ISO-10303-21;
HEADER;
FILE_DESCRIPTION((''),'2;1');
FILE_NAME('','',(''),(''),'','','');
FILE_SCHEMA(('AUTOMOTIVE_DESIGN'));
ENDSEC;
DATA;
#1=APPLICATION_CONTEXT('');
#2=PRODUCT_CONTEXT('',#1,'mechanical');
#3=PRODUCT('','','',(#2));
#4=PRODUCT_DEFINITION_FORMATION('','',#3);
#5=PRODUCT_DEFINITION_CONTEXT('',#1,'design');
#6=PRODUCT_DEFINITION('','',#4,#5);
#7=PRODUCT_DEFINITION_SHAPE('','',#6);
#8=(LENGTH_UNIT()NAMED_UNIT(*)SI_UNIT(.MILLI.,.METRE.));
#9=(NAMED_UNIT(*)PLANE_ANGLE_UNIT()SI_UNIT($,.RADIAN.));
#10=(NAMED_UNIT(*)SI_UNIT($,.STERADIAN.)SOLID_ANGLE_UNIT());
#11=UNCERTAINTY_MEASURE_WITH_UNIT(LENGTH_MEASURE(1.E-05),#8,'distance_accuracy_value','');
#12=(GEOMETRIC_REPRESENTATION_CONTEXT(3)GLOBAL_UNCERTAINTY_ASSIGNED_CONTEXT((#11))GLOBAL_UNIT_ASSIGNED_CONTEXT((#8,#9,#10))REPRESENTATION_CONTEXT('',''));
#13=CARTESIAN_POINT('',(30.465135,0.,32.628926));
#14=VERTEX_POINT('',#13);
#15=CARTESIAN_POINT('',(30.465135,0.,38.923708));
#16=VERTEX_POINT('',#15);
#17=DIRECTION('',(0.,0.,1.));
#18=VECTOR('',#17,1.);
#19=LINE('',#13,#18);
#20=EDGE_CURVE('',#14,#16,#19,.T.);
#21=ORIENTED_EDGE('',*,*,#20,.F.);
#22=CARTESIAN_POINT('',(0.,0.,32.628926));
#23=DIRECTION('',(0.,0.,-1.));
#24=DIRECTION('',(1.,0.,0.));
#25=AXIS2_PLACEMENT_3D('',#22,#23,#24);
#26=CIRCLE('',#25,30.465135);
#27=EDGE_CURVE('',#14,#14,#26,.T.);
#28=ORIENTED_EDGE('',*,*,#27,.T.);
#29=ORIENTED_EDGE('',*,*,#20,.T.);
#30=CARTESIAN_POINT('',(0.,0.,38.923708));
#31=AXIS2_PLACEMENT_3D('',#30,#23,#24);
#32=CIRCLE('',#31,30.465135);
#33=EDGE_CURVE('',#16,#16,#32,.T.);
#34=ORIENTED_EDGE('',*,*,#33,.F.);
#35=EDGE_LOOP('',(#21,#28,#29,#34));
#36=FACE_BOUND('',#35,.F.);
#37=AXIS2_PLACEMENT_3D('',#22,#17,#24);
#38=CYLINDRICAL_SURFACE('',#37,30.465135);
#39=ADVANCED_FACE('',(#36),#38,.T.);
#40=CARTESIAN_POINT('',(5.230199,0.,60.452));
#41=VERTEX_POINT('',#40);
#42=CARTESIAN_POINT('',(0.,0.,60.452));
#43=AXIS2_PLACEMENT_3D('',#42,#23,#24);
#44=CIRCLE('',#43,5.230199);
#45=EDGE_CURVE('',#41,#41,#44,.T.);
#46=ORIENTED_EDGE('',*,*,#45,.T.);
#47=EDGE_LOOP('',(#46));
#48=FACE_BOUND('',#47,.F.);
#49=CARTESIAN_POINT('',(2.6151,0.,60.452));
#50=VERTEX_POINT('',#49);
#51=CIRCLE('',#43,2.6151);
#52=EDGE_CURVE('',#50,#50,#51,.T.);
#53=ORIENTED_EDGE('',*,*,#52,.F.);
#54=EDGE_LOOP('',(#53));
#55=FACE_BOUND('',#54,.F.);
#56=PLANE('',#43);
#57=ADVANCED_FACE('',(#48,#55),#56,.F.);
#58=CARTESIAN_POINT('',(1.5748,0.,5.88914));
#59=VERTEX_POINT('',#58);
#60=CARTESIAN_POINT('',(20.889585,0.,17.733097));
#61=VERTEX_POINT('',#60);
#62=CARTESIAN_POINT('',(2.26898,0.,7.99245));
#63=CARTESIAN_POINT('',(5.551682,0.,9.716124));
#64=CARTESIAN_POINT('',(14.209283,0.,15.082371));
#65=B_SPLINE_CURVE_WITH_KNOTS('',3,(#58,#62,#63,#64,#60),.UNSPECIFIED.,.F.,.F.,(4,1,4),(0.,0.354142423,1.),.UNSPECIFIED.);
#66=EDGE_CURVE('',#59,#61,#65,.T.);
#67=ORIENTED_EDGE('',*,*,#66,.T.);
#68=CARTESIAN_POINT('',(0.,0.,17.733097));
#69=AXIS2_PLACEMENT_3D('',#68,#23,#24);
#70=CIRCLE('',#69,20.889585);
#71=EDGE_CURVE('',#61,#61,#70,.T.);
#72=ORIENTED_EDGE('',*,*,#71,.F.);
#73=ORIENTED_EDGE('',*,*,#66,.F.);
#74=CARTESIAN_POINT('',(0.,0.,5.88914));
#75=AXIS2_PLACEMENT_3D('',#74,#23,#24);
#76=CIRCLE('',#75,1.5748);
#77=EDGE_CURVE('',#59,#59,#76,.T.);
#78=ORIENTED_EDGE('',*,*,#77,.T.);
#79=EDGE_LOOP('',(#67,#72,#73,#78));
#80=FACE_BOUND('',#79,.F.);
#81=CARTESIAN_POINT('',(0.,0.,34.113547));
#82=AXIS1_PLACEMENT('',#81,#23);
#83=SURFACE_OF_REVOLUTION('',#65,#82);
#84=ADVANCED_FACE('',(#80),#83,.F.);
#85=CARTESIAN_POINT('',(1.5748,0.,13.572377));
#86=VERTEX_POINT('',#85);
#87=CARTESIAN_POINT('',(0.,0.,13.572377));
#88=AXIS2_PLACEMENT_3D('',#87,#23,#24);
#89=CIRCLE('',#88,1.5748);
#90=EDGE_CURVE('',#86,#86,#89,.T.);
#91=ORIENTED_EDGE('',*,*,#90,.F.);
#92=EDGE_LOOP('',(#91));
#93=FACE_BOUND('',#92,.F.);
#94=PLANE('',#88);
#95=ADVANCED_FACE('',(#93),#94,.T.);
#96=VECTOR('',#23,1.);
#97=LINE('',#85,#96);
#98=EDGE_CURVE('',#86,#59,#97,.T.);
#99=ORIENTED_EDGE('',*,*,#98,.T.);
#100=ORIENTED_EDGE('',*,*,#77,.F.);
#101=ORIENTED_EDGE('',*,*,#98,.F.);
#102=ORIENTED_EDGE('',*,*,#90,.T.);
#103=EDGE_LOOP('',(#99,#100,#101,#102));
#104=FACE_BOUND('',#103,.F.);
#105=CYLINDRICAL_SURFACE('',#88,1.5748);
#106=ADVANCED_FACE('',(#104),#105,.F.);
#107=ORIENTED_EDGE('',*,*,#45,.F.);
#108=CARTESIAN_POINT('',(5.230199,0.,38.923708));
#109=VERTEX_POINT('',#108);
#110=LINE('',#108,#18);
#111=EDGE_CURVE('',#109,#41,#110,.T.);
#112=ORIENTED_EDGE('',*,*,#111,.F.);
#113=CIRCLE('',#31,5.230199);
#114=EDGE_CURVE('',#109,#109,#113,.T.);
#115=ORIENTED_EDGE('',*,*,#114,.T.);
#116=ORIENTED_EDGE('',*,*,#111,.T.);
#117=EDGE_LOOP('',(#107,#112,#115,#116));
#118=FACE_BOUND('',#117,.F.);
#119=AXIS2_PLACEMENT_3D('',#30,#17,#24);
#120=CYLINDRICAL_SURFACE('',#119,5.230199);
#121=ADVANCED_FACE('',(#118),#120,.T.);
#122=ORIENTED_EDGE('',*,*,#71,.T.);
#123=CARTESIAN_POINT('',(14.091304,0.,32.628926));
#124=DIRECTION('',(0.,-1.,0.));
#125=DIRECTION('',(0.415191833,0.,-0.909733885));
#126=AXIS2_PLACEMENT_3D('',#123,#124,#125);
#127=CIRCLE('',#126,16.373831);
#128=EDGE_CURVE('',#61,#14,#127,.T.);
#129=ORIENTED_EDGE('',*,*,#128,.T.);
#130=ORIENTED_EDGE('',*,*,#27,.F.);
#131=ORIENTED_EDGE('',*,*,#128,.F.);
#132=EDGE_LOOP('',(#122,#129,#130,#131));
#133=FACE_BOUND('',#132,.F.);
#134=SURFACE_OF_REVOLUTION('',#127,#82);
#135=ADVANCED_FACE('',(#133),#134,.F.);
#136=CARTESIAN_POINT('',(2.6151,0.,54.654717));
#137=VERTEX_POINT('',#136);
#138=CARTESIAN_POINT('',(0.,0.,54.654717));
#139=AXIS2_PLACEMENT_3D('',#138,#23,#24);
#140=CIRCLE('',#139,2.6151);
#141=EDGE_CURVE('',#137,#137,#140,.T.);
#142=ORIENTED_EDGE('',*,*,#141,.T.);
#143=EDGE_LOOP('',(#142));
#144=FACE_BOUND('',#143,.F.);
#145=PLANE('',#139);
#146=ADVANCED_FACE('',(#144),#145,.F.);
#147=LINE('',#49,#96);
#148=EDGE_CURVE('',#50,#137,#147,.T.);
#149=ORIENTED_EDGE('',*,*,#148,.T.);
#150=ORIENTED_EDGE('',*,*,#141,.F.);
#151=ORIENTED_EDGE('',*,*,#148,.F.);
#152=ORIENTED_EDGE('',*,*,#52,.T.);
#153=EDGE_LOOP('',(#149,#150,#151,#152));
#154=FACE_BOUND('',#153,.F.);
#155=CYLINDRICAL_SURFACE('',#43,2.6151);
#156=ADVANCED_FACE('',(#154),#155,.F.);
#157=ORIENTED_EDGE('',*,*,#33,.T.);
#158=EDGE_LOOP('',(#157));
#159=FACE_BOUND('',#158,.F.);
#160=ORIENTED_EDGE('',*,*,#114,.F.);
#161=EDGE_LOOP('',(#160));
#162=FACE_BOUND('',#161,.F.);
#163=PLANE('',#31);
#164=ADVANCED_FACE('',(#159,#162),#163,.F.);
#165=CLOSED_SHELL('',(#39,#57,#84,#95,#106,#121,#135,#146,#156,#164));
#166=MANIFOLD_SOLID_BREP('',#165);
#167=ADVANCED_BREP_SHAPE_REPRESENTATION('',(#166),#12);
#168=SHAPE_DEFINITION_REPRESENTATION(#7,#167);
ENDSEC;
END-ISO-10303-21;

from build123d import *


with BuildPart() as f1:
    # F0 (on Front) → F1 (revolve)
    with BuildSketch(Plane.XZ):
        with BuildLine():
            ThreePointArc((20.8895848504, 17.7330967147), (27.8647612982, 23.7748747477), (30.465135211, 32.6289260119))
            Line((30.465135211, 32.6289260119), (30.465135211, 38.9237075527))
            Line((30.465135211, 38.9237075527), (5.23019908, 38.9237075527))
            Line((5.23019908, 38.9237075527), (5.23019908, 60.452))
            Line((5.23019908, 60.452), (2.61509954, 60.452))
            Line((2.61509954, 60.452), (2.61509954, 54.6547174454))
            Line((2.61509954, 54.6547174454), (0, 54.6547174454))
            Line((0, 54.6547174454), (0, 13.5723771527))
            Line((0, 13.5723771527), (1.5748, 13.5723771527))
            Line((1.5748, 13.5723771527), (1.5748, 5.8891402269))
            add(Edge.make_bspline(
                [(1.5748, 5.8891402269), (2.2689800992, 7.9924499936), (5.5516818726, 9.7161236554), (14.2092827263, 15.0823711378), (20.8895848504, 17.7330967147)],
                knots=[0, 0, 0, 0, 0.3541424232, 1, 1, 1, 1], degree=3))
        make_face()
    revolve(axis=Axis((0, 0, 34.1135472991), (0, 0, -1)))


solid = f1.part
